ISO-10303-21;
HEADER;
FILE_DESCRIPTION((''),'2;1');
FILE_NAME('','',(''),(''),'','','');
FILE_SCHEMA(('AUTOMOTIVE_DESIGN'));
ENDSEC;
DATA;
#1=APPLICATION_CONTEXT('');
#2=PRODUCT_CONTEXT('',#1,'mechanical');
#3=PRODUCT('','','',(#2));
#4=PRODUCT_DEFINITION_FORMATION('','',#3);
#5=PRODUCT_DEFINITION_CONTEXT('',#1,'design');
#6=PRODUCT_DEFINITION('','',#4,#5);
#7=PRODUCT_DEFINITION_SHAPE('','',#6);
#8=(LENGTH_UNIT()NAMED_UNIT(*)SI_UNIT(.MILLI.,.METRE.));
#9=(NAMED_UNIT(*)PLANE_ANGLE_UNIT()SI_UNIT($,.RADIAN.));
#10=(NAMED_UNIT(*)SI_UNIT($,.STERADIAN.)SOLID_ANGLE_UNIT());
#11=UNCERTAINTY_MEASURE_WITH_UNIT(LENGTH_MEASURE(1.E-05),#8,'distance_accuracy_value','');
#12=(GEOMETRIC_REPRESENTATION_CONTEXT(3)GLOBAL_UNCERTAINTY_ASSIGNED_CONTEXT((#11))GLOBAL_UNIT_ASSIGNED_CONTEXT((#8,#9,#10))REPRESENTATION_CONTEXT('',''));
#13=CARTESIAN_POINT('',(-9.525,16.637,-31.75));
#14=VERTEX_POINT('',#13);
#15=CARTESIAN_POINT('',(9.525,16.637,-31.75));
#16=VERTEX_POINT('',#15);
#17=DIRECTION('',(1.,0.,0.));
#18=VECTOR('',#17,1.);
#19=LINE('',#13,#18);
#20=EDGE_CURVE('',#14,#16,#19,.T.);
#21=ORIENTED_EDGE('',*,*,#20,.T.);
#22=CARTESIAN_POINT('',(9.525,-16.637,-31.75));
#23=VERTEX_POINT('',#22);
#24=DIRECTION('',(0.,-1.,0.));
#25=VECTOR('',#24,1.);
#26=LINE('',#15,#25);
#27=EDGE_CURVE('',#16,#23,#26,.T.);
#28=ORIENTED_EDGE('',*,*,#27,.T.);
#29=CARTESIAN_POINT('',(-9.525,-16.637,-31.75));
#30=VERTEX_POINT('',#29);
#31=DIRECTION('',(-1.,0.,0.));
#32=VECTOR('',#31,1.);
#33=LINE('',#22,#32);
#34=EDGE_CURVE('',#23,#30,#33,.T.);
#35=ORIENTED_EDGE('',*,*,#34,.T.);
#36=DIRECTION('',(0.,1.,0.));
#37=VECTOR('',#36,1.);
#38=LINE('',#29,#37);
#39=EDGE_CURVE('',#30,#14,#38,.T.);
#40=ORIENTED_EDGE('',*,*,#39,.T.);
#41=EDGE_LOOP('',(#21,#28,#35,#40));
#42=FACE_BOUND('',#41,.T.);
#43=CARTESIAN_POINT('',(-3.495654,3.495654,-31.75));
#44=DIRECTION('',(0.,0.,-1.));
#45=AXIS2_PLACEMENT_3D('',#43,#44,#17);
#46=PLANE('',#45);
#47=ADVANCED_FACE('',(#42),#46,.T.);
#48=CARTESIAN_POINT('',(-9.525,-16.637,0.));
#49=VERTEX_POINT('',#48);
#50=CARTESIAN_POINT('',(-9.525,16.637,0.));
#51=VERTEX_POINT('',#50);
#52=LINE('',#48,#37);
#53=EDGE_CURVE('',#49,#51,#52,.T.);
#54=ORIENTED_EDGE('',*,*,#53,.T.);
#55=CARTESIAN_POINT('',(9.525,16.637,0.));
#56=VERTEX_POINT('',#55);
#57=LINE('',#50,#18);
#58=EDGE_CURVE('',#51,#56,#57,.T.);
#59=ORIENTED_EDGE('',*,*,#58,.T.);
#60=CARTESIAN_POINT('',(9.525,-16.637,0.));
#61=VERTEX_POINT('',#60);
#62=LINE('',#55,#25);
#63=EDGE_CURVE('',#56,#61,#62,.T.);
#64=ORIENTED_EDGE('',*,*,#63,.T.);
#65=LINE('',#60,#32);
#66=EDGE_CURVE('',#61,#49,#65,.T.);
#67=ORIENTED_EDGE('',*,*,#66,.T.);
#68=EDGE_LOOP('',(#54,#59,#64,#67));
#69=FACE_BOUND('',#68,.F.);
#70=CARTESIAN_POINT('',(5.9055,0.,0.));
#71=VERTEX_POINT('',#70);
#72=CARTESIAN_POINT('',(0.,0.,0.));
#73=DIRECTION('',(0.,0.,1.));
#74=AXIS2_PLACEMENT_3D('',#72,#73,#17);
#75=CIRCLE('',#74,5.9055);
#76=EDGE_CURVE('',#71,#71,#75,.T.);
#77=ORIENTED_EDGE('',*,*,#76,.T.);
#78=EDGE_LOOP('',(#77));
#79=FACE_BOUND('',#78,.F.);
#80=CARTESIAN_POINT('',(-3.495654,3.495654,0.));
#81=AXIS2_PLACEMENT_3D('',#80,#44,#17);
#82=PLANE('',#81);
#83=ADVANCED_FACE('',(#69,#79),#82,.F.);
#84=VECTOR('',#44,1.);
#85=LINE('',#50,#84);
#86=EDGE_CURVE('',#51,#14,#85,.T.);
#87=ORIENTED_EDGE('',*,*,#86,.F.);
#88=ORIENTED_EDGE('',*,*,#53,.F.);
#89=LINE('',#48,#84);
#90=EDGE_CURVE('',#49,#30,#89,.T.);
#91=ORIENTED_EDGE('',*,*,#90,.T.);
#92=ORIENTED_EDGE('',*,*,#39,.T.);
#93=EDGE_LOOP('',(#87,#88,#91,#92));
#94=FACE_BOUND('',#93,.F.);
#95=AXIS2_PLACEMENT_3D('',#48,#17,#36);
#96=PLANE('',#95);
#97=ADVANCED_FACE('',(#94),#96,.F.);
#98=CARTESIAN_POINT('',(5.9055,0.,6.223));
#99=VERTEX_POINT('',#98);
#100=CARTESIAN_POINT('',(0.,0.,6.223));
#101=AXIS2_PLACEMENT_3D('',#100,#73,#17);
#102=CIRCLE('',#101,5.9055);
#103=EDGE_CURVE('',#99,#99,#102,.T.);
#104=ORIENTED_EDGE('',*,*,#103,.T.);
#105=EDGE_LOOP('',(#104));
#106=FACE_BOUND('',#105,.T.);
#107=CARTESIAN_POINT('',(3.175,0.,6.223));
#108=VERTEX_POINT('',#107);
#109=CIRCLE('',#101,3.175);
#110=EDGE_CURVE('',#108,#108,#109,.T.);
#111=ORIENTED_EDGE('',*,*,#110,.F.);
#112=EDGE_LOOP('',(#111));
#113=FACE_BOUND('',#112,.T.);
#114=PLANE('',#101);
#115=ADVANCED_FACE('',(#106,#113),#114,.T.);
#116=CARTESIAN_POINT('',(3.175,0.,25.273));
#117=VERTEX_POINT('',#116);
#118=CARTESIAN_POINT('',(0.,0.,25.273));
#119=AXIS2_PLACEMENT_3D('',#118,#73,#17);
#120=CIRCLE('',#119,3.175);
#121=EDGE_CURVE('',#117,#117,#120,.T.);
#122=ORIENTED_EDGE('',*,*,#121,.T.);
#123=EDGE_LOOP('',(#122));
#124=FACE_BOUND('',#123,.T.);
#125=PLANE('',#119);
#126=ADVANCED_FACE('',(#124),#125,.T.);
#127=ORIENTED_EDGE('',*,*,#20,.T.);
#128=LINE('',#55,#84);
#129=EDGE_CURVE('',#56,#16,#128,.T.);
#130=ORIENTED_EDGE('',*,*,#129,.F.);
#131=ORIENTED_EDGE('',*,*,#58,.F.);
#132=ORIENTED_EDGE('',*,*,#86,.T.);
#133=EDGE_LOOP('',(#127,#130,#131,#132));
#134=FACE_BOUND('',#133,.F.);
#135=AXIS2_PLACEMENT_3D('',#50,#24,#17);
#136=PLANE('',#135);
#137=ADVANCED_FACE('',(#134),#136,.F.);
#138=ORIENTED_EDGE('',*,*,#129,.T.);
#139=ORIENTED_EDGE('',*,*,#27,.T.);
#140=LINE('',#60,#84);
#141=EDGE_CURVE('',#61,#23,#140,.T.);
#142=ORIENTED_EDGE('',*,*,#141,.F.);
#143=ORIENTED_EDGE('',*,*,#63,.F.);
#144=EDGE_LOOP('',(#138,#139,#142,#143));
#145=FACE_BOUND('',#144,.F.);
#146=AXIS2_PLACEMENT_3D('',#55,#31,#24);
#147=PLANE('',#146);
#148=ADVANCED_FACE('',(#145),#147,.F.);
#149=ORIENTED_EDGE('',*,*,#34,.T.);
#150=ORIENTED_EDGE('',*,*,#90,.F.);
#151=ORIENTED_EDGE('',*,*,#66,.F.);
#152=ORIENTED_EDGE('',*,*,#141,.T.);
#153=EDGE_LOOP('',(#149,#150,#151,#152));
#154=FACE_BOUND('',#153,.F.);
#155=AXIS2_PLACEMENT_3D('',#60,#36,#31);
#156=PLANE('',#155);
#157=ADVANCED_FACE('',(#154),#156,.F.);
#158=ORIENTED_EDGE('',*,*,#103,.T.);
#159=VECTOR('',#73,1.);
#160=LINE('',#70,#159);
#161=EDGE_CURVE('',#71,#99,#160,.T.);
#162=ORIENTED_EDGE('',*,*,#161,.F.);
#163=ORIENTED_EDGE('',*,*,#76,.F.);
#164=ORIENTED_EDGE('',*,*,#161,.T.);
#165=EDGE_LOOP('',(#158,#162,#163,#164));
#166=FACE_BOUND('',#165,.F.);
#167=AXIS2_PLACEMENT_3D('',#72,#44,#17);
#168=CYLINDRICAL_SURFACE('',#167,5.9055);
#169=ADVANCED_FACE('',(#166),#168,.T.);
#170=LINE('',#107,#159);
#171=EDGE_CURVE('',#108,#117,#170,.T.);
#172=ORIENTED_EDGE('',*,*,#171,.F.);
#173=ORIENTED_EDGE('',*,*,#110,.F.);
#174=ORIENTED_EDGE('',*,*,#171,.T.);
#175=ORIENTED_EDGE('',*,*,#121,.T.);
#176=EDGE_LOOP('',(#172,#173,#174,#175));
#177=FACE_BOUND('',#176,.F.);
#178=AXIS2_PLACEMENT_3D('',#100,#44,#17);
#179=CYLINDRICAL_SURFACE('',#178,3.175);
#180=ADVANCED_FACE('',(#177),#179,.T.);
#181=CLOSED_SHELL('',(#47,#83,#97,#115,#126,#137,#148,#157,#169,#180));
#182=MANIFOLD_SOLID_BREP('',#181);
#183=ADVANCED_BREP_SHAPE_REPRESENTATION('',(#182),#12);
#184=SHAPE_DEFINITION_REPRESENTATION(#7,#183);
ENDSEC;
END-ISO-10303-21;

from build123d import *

# Parameters (mm, degrees)
F0_R     = 5.9055
F1_DEPTH = 6.223
F2_R     = 3.175
F3_DEPTH = 19.05
F5_DEPTH = 31.75


with BuildPart() as f1:
    # F0 (on Top) → F1 (new body)
    with BuildSketch(Plane.XY):
        Circle(F0_R)
    extrude(amount=F1_DEPTH)

    # F2 (on face) → F3 (join)
    with BuildSketch(Plane.XY.offset(6.223)):
        Circle(F2_R)
    extrude(amount=F3_DEPTH)

    # F4 (on face) → F5 (join)
    with BuildSketch(Plane(origin=(0, 0, 0), x_dir=(1, 0, 0), z_dir=(0, 0, -1))):
        Polygon((9.525, -16.637), (-9.525, 16.637), (-9.525, -16.637), align=None)
        Polygon((9.525, 16.637), (-9.525, 16.637), (9.525, -16.637), align=None)
    extrude(amount=F5_DEPTH)


solid = f1.part
